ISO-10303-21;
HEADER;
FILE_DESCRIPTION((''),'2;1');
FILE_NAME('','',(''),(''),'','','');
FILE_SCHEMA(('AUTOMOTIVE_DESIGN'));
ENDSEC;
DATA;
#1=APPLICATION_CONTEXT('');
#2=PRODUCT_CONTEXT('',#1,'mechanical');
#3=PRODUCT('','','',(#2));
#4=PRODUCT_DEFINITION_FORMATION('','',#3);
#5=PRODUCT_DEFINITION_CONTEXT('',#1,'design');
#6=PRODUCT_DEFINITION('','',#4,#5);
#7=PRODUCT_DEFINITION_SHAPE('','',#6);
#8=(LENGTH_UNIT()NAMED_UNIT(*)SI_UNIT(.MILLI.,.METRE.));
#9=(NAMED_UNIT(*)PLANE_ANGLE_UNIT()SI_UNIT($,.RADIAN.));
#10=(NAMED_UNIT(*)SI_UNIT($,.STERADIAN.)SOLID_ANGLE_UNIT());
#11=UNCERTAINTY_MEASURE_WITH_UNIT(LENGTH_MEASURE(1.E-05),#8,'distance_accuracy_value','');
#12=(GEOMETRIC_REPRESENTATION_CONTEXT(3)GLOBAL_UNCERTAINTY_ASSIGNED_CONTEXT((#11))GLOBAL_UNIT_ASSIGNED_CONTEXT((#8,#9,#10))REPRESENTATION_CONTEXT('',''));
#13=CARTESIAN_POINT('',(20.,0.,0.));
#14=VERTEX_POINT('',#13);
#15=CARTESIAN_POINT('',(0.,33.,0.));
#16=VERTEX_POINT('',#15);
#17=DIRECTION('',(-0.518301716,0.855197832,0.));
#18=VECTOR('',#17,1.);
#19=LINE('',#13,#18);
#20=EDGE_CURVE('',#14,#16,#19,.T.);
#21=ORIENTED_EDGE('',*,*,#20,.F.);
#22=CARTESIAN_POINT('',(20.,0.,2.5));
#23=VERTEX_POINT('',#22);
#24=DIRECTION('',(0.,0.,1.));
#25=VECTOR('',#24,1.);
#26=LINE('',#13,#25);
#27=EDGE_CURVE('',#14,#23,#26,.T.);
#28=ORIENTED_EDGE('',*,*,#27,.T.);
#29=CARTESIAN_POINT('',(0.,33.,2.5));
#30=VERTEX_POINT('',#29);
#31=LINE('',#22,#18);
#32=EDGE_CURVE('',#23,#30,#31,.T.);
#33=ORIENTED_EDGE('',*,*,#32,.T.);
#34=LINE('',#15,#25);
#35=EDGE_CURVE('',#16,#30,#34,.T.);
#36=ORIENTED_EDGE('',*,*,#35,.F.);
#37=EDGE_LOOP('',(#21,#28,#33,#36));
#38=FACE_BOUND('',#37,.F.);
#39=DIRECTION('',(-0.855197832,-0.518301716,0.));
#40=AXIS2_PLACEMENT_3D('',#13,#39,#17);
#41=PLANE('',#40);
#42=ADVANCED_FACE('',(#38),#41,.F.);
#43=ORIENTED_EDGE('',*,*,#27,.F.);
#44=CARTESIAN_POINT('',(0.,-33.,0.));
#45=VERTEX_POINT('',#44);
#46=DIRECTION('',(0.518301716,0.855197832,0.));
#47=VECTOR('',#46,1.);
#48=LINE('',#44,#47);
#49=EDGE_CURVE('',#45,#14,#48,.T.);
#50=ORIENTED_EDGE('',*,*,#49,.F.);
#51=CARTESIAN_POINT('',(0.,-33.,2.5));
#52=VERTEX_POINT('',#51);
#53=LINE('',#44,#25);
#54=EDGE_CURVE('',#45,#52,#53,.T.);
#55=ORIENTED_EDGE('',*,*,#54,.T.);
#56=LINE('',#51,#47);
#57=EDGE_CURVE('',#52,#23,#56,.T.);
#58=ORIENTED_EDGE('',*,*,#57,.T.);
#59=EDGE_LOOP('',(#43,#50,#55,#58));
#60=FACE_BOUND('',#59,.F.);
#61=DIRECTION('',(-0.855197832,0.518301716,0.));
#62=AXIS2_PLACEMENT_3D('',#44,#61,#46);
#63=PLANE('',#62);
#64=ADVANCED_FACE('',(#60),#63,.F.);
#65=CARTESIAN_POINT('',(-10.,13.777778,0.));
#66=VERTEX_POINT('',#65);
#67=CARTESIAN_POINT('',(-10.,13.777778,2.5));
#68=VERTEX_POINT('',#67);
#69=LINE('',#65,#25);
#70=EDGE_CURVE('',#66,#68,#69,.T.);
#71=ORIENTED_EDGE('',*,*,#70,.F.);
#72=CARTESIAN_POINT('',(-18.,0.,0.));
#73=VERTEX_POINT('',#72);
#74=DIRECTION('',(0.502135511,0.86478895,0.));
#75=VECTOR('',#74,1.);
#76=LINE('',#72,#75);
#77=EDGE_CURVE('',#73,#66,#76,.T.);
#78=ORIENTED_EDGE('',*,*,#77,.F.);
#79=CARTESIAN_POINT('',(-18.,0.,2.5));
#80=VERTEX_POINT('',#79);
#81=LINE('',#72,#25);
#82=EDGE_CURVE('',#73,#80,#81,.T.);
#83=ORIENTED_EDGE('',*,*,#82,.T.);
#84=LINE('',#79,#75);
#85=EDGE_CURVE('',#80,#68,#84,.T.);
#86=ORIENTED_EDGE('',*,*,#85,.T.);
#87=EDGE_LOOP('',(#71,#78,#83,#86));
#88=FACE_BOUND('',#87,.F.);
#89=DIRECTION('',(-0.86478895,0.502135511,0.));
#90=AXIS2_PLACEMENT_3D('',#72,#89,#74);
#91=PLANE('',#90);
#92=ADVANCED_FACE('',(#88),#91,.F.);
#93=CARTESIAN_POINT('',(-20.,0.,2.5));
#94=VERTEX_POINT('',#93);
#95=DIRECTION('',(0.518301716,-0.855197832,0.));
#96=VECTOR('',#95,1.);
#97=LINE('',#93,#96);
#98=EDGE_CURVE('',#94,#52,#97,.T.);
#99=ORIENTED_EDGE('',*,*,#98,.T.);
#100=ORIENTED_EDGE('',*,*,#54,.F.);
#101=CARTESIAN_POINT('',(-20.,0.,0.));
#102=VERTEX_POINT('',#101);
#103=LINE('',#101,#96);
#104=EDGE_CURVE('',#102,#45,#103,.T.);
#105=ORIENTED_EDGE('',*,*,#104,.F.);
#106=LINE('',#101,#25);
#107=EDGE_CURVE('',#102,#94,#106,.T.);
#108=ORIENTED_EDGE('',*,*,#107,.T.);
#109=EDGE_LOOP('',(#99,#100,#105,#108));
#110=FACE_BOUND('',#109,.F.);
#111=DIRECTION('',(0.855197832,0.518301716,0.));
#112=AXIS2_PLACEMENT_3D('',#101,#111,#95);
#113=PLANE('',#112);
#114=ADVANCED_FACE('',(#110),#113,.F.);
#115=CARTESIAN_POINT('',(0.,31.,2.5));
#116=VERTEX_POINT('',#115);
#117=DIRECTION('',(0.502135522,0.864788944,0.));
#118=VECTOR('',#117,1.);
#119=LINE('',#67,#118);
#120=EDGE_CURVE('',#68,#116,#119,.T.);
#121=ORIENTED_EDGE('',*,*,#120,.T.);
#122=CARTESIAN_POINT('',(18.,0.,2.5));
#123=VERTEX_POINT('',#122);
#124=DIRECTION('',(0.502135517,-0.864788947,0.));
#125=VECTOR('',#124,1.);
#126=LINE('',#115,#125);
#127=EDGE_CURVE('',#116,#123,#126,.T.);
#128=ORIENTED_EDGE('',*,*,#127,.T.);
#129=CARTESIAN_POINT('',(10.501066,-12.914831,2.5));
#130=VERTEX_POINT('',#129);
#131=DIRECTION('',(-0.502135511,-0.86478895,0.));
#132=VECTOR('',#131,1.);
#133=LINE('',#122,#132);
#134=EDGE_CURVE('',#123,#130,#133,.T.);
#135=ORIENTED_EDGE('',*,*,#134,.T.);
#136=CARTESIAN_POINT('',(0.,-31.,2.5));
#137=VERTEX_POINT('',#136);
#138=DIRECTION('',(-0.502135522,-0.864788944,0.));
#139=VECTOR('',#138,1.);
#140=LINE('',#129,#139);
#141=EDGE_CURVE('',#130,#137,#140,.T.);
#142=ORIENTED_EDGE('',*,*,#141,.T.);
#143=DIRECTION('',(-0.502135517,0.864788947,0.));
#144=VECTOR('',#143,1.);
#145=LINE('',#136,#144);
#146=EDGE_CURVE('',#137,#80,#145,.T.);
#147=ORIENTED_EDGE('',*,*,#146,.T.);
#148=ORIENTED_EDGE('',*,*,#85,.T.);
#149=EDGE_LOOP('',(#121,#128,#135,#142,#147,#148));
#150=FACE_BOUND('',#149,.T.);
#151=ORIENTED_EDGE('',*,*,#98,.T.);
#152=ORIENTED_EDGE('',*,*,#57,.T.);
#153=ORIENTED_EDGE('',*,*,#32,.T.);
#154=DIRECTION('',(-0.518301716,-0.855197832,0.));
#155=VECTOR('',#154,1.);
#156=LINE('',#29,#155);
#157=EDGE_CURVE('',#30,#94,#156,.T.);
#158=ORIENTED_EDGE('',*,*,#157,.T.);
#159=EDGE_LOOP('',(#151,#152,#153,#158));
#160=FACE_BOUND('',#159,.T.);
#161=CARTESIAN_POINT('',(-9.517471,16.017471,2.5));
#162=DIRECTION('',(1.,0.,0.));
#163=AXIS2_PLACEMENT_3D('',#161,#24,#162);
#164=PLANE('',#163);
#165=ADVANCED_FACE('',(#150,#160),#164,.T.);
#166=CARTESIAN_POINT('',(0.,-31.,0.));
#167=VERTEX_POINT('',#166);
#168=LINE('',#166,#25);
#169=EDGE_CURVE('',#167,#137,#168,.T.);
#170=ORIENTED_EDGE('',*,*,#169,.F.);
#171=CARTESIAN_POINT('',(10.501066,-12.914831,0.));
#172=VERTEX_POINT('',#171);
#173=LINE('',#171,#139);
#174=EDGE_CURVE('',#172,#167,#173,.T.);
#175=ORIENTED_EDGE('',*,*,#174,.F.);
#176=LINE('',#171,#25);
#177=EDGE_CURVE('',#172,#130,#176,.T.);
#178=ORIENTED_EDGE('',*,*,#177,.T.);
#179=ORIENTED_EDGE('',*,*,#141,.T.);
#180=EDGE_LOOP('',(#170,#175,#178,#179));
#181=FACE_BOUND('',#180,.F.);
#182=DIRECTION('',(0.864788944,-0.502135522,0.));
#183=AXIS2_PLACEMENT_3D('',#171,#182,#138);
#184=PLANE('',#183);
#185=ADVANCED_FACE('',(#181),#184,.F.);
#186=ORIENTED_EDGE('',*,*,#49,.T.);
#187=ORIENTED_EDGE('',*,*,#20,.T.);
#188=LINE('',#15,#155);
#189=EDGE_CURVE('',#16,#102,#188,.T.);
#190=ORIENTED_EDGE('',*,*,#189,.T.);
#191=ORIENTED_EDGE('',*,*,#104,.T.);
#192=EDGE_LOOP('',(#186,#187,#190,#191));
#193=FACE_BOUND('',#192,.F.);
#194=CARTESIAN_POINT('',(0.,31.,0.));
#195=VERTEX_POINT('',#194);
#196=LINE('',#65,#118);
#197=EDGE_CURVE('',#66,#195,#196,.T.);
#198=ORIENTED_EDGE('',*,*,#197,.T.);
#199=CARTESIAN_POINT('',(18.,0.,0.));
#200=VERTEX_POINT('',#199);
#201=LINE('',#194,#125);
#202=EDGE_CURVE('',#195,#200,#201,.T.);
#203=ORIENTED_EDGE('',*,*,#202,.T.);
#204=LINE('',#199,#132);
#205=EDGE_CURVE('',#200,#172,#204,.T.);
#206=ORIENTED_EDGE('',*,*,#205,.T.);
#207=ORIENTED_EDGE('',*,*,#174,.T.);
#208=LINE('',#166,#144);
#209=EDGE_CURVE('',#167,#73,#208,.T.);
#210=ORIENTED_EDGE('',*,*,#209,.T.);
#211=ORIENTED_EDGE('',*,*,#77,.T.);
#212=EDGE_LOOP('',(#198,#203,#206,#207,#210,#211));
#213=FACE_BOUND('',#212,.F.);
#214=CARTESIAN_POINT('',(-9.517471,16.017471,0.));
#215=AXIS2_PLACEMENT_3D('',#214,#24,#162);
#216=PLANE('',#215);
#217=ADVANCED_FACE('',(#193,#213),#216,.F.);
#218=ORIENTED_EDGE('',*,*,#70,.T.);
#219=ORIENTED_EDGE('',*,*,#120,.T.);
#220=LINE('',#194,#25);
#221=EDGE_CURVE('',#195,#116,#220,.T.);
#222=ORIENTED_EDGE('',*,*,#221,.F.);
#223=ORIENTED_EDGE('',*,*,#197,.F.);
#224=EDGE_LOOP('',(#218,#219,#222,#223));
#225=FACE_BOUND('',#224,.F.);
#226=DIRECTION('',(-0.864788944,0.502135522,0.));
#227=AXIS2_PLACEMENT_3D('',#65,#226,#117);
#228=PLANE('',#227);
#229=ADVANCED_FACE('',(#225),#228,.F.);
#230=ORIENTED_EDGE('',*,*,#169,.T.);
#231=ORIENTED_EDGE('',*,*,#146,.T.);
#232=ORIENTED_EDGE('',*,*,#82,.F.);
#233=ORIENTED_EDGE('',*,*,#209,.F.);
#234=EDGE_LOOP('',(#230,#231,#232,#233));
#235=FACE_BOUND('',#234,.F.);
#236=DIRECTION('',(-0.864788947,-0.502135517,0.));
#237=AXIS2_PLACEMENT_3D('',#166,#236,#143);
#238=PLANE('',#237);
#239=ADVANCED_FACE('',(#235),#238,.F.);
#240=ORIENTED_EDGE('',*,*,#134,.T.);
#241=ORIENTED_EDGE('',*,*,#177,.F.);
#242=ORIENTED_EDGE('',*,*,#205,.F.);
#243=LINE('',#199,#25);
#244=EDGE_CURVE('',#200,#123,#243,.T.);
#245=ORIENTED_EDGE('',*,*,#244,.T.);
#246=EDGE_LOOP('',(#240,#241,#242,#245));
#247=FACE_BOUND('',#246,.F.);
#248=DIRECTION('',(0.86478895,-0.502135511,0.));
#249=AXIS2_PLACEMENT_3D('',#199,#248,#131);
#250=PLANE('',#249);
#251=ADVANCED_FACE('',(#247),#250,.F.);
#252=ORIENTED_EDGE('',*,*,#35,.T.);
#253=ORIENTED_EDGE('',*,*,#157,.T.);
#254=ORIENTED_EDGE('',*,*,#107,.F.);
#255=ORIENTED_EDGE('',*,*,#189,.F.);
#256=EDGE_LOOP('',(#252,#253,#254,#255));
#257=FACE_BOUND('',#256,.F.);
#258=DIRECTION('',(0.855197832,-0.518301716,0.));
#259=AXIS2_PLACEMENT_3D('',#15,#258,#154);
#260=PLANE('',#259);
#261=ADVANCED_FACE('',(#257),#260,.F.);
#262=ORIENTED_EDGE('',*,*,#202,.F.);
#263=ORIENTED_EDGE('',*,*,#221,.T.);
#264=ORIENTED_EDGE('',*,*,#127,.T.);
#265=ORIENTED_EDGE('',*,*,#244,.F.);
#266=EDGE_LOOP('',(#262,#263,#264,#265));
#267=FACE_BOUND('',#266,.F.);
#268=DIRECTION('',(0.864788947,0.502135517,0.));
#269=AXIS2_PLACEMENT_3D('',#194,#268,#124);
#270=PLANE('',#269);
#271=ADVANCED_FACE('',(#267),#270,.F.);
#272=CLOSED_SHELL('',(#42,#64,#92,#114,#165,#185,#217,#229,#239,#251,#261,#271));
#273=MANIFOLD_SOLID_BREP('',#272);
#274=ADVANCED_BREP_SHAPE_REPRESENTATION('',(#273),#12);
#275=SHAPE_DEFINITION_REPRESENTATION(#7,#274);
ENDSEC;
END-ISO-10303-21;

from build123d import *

# Parameters (mm, degrees)
F1_DEPTH = 2.5


with BuildPart() as f1:
    # F0 (on Top) → F1 (new body)
    with BuildSketch(Plane.XY):
        Polygon((-20, 0), (-18, 0), (-10, 13.777778), (0, 31), (0, 33), align=None)
        Polygon((0, -31), (-18, 0), (-20, 0), (0, -33), align=None)
        Polygon((10.501066, -12.914831), (0, -31), (0, -33), (20, 0), (18, 0), align=None)
        Polygon((0, 31), (18, 0), (20, 0), (0, 33), align=None)
    extrude(amount=F1_DEPTH)


solid = f1.part
